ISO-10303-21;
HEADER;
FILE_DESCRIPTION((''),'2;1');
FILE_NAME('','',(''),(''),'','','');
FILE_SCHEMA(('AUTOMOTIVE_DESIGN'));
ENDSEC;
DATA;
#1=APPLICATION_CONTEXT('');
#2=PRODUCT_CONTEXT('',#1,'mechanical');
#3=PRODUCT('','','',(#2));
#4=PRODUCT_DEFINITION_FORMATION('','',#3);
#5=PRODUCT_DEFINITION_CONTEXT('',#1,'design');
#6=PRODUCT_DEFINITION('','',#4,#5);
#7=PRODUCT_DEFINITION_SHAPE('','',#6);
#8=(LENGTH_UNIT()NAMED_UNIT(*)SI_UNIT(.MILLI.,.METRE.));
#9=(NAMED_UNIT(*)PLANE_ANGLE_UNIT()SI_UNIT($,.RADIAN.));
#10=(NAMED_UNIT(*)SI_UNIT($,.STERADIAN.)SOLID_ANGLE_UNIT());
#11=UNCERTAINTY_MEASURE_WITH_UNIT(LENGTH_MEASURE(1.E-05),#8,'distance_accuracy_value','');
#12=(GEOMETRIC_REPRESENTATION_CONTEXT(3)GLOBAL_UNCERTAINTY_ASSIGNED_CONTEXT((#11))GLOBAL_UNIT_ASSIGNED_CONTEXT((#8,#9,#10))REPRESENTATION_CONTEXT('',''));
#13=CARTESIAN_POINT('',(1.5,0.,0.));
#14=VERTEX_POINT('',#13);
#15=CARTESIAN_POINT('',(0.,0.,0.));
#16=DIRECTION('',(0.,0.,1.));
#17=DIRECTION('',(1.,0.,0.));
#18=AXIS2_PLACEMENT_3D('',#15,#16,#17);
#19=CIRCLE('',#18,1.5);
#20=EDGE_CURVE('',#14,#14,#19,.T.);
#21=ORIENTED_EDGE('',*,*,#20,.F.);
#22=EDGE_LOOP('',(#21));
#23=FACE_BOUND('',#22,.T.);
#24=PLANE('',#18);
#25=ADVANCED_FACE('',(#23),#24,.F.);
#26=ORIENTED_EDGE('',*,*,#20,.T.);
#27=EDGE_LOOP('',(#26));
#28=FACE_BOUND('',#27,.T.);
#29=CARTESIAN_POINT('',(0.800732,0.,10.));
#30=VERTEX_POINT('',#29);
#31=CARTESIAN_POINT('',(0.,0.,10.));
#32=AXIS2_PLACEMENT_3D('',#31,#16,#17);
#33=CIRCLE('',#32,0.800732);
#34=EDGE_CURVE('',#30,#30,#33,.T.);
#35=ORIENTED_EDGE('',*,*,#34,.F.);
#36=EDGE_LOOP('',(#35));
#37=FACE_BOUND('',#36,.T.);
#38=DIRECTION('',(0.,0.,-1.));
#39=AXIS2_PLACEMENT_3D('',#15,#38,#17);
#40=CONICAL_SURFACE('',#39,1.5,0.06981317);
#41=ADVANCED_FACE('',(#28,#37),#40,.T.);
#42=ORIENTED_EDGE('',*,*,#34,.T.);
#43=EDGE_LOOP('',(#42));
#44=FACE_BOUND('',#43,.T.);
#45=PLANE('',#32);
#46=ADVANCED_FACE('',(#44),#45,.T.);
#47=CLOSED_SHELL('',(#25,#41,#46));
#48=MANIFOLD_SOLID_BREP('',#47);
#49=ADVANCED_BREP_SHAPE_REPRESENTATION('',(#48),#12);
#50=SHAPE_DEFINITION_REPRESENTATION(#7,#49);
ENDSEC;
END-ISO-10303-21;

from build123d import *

# Parameters (mm, degrees)
SKETCH1_R           = 1.5
BOSS_EXTRUDE1_DEPTH = 10
BOSS_EXTRUDE1_TAPER = 4


with BuildPart() as part:
    # Sketch1 → Boss-Extrude1 (new body)
    with BuildSketch(Plane.XY):
        Circle(SKETCH1_R)
    extrude(amount=BOSS_EXTRUDE1_DEPTH, taper=BOSS_EXTRUDE1_TAPER)


solid = part.part
